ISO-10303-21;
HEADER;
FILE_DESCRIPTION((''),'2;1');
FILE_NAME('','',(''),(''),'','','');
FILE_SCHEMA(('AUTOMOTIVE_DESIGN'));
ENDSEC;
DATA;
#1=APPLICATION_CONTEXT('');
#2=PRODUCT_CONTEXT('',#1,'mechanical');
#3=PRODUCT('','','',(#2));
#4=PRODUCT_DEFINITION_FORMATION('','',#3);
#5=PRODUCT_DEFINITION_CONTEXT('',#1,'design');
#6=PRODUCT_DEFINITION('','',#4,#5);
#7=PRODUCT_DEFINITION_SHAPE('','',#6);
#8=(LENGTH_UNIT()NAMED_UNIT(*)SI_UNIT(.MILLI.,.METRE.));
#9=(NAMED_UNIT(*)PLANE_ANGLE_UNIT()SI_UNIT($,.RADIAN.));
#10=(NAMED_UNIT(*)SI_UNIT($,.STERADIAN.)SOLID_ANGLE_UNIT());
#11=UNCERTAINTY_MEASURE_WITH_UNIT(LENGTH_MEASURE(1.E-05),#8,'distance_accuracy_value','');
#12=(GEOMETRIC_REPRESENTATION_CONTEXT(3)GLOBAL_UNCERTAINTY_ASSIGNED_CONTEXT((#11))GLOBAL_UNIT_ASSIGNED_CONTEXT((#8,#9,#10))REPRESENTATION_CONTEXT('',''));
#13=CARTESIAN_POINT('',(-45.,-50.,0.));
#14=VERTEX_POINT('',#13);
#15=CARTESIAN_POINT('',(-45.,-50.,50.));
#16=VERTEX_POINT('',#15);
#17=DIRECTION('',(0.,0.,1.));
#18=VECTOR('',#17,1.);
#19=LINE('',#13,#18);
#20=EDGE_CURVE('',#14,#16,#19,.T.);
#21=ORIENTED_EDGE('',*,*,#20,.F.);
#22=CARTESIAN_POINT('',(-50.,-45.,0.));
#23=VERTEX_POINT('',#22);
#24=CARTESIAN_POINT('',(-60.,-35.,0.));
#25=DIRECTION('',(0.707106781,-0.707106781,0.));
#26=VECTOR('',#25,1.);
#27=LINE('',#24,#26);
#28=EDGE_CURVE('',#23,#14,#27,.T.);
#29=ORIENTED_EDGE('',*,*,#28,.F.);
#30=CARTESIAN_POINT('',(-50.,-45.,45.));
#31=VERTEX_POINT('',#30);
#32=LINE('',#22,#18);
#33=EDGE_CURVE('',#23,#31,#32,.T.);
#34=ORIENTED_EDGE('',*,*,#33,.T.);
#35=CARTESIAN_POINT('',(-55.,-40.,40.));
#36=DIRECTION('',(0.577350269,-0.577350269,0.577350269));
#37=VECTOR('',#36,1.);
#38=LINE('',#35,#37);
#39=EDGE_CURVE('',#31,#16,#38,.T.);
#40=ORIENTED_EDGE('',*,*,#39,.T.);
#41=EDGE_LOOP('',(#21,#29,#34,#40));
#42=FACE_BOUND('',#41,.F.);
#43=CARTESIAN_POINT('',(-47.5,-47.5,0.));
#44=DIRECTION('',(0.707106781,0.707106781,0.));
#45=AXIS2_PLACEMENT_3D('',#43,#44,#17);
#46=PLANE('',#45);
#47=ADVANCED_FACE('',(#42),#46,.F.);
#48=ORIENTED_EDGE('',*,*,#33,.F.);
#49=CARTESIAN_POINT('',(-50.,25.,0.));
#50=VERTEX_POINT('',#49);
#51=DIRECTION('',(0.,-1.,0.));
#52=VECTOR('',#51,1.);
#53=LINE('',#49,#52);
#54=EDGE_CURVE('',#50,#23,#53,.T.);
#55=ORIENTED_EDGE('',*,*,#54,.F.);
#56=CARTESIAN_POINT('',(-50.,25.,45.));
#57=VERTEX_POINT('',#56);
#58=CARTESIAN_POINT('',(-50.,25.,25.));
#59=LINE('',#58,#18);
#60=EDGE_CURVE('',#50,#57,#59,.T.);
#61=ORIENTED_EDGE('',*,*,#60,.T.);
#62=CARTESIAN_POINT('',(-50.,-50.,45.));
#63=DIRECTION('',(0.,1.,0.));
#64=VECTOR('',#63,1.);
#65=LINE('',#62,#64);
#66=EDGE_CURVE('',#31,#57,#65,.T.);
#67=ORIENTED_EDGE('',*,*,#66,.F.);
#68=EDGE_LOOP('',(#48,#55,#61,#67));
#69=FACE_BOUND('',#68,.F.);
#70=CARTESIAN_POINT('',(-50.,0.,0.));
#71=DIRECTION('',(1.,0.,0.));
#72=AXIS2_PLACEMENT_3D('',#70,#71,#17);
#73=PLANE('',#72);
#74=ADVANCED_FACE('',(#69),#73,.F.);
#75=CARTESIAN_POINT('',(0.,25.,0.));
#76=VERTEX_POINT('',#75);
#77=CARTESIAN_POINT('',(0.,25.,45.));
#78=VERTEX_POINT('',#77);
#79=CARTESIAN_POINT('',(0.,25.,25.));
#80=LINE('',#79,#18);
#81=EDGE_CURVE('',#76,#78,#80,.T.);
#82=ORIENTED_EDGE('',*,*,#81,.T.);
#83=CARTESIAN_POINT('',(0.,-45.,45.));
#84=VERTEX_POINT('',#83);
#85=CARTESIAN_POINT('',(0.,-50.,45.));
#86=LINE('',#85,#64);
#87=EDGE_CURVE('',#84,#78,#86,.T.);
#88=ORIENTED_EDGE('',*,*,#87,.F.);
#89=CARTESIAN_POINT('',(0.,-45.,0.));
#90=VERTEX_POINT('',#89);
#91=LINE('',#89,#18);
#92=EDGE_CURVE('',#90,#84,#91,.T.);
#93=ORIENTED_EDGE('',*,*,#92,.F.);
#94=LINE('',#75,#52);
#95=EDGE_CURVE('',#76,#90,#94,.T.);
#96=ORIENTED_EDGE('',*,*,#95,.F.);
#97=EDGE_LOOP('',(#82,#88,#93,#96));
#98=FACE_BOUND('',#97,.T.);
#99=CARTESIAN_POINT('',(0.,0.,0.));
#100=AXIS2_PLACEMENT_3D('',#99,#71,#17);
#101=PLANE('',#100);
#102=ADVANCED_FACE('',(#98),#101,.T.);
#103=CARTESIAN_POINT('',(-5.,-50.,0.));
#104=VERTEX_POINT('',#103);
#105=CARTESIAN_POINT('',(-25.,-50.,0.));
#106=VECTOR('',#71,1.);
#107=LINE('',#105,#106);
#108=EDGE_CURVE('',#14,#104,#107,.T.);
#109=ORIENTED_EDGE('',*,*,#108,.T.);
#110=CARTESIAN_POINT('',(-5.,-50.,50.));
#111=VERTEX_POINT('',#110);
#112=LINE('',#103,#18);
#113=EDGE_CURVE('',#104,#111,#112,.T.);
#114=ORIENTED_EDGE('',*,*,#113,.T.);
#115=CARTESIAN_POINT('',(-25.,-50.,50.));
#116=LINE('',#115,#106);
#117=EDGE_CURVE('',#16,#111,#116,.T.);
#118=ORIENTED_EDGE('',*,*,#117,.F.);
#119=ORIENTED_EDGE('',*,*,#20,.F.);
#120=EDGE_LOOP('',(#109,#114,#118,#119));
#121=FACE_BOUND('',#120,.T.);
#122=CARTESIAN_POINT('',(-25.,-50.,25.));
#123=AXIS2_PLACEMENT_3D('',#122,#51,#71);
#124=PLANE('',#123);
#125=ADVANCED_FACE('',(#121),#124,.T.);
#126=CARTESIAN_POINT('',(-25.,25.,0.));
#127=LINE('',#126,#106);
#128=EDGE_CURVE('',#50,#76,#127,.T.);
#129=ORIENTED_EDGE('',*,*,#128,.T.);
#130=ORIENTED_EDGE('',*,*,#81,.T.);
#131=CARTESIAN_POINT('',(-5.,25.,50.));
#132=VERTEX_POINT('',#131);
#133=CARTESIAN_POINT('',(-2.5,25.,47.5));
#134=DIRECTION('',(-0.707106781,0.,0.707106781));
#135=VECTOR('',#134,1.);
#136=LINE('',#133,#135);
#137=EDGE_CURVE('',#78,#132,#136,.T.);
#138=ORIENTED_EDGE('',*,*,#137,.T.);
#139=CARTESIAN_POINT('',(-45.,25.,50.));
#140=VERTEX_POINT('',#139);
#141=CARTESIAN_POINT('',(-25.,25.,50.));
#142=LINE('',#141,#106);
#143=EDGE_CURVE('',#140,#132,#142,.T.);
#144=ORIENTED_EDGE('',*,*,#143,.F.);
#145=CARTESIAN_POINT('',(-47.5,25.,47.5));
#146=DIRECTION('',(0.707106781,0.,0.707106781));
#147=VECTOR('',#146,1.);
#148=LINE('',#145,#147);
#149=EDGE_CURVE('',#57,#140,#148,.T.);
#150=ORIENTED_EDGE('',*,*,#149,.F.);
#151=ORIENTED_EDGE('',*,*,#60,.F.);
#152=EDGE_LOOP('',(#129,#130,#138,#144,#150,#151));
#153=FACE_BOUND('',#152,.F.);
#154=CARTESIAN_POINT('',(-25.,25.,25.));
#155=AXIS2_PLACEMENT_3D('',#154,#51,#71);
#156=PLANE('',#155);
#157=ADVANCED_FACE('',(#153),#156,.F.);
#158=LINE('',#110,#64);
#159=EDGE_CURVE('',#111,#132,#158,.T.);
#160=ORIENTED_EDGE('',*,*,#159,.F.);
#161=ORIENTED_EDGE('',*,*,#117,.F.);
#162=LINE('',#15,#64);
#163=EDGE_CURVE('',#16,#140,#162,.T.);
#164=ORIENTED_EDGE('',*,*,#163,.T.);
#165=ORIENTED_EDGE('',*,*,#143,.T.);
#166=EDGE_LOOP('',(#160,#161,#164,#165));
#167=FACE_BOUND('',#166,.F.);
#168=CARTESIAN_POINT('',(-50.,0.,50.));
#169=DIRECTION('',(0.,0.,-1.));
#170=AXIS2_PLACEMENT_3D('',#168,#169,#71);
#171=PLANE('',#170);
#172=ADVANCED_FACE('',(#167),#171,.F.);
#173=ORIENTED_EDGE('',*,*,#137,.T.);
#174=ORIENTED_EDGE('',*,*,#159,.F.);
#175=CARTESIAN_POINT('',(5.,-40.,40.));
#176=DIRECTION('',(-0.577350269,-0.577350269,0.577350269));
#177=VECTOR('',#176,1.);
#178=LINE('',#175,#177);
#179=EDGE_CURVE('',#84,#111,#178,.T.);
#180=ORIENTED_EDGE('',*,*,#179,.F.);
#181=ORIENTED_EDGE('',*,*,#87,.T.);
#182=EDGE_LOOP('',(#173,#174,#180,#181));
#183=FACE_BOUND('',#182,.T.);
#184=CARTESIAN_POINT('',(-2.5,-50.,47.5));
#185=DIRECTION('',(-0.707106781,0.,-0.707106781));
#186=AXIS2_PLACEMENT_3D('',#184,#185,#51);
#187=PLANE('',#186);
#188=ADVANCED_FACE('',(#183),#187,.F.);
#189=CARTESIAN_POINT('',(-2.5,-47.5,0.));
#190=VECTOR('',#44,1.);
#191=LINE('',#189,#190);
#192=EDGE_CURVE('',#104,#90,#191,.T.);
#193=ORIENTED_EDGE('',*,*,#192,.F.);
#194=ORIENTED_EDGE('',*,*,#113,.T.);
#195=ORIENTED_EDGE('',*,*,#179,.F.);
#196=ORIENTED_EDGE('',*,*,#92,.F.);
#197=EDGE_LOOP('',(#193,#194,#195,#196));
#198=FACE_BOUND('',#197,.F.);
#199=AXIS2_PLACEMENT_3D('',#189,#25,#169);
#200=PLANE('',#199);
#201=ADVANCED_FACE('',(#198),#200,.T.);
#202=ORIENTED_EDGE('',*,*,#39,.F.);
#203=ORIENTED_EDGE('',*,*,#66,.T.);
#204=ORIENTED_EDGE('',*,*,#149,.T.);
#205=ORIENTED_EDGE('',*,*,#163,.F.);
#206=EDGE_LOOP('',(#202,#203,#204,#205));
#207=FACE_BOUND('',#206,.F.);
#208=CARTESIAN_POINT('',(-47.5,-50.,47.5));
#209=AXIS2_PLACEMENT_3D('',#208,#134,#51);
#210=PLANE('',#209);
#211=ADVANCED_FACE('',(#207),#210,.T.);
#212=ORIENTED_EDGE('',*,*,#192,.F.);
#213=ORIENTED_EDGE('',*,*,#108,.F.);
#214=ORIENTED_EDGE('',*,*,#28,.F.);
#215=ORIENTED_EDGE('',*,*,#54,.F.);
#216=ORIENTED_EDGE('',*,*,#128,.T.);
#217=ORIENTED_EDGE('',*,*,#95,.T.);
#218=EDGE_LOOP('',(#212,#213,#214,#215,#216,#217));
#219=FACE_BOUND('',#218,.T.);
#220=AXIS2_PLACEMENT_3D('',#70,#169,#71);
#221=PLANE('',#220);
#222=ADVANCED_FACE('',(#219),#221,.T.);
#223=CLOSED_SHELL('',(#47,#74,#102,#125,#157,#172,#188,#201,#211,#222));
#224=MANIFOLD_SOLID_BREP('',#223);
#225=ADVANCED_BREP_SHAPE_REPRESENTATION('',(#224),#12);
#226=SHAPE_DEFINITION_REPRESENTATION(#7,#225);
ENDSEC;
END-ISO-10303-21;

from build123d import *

# Parameters (mm, degrees)
F0_W          = 50
F0_H          = 50
F1_DEPTH      = 50
F1_DEPTH_BACK = 25
F2_SIZE       = 5


with BuildPart() as f1:
    # F0 (on Front) → F1 (new body, two sides)
    with BuildSketch(Plane.XZ) as f1_sk:
        with Locations((-25, 25)):
            Rectangle(F0_W, F0_H)
    extrude(amount=F1_DEPTH)
    extrude(f1_sk.sketch, amount=-F1_DEPTH_BACK)

    # F2
    f2_edges = [f1.edges().sort_by_distance(p)[0] for p in [
        (0, -12.5, 50),
        (0, -50, 25),
        (-50, -50, 25),
        (-50, -12.5, 50),
    ]]
    chamfer(f2_edges, length=F2_SIZE)


solid = f1.part
